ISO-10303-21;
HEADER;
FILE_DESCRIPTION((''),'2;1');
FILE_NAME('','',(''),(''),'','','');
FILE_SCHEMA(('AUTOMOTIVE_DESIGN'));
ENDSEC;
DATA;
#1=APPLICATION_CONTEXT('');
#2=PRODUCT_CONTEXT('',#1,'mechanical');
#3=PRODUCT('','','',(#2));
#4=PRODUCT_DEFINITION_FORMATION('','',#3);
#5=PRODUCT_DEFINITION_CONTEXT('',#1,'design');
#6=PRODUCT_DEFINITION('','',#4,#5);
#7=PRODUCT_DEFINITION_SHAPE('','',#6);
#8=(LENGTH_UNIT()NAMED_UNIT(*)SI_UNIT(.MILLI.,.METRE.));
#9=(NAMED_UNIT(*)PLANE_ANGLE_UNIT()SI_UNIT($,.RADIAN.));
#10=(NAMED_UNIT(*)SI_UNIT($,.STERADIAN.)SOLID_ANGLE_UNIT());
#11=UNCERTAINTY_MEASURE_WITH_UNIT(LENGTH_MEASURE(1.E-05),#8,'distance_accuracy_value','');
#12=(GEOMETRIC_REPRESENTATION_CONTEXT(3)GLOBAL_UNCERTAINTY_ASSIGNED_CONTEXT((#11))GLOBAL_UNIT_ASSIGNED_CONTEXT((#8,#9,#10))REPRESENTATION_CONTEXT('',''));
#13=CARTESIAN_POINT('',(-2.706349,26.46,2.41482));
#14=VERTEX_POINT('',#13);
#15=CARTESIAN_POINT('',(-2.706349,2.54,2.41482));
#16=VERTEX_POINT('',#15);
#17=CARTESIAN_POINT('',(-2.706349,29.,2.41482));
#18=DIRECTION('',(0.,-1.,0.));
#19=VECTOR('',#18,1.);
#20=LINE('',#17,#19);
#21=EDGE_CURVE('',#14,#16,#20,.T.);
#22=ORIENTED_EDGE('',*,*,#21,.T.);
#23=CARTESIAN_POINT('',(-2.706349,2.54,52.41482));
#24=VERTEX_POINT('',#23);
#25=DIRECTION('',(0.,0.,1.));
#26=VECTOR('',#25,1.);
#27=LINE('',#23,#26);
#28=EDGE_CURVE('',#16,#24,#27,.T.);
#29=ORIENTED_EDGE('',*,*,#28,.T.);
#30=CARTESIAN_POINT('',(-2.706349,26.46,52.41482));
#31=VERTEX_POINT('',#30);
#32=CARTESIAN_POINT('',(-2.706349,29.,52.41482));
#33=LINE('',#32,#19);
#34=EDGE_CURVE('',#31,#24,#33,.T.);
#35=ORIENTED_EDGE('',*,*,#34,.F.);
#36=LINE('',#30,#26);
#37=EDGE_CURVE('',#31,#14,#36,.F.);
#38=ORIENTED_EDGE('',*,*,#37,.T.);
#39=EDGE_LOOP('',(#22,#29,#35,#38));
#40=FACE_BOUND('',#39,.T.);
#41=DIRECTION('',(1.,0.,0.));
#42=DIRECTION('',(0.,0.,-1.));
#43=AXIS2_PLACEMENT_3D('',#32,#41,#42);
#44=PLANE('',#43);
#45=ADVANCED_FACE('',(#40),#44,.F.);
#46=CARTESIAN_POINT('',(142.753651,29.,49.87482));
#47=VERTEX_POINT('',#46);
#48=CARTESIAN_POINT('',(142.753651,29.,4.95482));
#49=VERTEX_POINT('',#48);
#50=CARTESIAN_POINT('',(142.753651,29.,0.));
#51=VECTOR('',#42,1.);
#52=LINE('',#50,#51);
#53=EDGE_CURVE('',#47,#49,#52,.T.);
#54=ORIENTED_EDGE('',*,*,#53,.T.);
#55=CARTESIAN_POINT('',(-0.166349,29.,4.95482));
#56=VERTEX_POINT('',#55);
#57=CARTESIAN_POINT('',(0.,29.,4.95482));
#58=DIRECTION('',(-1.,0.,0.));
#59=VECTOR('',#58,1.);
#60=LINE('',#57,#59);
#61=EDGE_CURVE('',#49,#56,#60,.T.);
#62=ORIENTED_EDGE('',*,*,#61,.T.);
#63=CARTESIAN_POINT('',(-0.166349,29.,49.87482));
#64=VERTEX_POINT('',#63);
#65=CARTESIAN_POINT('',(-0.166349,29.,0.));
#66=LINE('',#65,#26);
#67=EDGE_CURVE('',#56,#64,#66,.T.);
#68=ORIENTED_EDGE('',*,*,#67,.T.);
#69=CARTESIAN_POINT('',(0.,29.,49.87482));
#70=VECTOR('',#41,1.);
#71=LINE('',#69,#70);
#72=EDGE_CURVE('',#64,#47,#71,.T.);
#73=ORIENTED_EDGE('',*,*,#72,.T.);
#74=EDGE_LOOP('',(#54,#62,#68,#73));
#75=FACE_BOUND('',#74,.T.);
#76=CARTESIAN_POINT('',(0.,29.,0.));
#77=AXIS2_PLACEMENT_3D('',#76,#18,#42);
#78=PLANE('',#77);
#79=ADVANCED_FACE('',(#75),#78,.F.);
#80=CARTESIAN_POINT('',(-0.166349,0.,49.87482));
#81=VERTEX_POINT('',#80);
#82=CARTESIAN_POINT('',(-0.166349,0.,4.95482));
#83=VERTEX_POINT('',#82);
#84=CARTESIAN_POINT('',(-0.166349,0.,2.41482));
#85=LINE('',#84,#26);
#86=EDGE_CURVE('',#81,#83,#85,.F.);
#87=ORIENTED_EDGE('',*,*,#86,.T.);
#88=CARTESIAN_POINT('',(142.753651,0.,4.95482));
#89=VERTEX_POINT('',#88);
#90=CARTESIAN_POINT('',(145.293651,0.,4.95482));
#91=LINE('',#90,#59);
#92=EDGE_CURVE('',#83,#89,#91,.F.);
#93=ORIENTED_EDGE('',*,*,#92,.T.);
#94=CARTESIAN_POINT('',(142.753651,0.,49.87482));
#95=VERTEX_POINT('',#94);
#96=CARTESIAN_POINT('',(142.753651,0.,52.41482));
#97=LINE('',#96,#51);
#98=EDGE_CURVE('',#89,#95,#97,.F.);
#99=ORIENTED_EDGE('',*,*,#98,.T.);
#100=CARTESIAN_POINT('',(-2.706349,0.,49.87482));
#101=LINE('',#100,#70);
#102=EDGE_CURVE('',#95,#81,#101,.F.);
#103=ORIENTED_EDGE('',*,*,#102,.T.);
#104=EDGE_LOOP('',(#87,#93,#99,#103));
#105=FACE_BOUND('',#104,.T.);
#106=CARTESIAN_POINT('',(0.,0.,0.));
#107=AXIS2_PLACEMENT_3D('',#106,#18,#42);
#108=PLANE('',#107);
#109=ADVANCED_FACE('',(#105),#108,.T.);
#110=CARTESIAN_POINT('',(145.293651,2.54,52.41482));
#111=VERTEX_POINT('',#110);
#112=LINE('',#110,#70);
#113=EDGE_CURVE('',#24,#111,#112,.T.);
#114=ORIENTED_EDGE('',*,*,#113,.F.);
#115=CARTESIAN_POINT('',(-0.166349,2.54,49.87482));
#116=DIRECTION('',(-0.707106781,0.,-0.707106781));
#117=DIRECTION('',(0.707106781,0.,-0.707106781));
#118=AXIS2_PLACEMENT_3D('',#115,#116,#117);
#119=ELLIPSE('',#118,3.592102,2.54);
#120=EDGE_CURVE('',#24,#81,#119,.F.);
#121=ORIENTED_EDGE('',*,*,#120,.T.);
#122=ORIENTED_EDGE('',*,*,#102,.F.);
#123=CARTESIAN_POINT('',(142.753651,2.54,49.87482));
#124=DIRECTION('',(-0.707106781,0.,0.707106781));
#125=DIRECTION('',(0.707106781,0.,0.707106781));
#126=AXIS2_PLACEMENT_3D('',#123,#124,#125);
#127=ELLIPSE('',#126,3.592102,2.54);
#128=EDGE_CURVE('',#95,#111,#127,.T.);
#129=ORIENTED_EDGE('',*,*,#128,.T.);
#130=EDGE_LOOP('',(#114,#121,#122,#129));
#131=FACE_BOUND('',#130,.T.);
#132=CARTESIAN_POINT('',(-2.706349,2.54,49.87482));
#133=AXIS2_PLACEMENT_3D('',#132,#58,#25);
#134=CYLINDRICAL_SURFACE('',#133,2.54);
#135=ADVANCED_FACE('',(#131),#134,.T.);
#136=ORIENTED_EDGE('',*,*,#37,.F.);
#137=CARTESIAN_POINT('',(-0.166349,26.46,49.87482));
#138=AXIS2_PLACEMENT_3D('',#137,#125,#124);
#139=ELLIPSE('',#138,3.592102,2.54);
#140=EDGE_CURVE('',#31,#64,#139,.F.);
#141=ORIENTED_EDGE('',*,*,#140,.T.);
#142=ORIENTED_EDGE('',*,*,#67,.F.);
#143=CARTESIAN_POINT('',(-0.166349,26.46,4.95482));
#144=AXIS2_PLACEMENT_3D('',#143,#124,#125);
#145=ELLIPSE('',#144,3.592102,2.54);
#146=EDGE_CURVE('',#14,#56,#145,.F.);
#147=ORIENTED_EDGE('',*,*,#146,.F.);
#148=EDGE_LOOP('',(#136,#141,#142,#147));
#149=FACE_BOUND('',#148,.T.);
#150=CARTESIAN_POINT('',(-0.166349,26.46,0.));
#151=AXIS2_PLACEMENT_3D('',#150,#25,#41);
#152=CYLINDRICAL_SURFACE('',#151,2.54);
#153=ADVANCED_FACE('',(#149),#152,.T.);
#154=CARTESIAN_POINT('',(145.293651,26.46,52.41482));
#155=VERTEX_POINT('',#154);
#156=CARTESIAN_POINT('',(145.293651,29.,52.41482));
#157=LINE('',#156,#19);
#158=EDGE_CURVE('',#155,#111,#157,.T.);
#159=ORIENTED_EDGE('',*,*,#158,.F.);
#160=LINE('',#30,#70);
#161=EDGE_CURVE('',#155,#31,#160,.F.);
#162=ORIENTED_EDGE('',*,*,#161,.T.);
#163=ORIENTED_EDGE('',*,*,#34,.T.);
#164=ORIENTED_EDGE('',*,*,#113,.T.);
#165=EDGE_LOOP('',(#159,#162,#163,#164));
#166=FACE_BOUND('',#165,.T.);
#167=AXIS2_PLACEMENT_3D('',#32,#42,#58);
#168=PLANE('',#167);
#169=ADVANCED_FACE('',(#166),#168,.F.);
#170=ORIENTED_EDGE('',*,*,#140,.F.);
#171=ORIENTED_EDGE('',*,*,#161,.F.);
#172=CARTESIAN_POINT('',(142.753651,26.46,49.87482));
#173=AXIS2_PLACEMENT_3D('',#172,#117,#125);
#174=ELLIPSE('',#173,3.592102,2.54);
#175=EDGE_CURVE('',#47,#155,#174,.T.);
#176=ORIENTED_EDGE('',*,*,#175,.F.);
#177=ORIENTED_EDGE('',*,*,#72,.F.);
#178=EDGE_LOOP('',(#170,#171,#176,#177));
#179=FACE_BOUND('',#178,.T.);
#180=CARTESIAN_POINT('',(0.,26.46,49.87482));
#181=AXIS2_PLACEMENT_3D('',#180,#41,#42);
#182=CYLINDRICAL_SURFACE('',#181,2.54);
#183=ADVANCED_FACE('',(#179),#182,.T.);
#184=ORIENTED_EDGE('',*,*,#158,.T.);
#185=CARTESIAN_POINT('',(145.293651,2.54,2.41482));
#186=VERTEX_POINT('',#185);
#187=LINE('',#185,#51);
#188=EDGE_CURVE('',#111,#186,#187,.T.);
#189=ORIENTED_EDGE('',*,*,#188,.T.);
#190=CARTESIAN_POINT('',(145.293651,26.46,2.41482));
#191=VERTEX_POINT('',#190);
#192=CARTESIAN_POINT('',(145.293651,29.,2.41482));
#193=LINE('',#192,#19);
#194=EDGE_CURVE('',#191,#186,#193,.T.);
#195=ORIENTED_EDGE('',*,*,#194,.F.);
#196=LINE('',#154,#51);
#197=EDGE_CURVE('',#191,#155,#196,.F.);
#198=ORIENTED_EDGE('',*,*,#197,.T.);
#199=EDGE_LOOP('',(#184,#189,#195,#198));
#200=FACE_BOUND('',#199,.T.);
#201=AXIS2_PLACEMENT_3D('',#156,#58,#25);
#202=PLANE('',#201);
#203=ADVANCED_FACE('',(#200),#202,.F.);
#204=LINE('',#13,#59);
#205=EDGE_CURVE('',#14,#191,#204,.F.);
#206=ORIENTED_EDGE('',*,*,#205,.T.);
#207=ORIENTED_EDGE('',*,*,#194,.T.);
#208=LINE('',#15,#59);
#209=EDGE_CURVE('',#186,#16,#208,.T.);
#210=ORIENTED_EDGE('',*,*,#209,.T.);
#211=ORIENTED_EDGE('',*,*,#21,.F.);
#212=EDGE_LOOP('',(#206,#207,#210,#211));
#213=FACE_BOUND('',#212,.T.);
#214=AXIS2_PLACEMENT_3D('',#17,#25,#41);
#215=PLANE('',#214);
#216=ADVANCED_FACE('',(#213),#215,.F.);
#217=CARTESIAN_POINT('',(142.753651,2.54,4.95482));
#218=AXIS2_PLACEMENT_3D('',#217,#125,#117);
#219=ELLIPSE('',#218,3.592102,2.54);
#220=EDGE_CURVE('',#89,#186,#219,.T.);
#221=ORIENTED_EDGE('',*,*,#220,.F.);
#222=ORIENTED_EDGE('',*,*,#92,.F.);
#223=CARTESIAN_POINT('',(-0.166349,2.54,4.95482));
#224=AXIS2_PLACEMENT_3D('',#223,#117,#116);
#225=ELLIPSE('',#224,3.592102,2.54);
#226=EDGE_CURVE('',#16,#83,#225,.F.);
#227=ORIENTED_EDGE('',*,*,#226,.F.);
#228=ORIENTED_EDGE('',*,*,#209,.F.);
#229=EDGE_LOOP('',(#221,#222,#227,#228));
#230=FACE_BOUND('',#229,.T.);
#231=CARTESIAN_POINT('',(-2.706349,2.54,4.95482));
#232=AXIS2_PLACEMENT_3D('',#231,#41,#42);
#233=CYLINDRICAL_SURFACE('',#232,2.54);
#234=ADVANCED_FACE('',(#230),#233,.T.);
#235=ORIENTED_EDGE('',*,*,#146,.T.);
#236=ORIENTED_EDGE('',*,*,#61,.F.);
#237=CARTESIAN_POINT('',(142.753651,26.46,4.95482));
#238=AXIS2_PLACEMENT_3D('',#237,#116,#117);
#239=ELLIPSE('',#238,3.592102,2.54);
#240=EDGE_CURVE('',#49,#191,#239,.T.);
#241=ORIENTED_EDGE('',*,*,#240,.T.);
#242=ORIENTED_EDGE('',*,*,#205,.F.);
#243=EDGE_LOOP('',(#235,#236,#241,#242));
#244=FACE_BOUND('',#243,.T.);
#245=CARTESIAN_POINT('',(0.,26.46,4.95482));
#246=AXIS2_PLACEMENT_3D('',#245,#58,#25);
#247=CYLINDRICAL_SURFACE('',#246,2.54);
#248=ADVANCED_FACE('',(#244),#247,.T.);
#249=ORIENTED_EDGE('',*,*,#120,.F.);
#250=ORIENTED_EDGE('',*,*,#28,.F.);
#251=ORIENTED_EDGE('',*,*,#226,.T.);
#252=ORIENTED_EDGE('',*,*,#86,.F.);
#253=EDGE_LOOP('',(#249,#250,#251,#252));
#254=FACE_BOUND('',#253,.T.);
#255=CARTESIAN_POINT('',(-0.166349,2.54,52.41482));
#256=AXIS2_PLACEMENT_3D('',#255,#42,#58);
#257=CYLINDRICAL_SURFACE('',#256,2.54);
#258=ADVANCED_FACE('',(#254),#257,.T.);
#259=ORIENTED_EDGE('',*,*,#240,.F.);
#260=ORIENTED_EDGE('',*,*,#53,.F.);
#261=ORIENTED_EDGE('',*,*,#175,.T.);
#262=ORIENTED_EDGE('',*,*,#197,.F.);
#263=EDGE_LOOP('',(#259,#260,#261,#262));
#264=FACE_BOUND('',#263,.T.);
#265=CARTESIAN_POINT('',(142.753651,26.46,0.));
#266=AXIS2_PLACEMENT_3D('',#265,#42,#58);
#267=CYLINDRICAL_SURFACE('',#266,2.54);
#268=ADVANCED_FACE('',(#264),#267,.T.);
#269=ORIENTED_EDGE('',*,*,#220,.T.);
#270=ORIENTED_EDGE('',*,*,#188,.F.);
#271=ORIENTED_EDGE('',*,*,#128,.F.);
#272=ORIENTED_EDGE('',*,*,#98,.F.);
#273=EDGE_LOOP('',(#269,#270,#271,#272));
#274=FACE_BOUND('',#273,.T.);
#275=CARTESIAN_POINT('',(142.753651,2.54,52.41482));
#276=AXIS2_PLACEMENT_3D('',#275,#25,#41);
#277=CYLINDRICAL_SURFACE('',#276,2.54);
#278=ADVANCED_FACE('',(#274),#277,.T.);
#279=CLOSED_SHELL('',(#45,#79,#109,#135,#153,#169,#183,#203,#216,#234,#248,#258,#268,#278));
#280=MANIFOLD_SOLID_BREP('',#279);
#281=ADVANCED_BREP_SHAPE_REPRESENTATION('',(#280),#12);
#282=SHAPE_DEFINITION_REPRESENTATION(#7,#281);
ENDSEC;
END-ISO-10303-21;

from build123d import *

# Parameters (mm, degrees)
SKETCH1_W           = 148
SKETCH1_H           = 50
BOSS_EXTRUDE1_DEPTH = 29
FILLET1_R           = 2.54


with BuildPart() as part:
    # Sketch1 → Boss-Extrude1 (new body)
    with BuildSketch(Plane(origin=(0, 0, 0), x_dir=(1, 0, 0), z_dir=(0, 1, 0))):
        with Locations((71.293650794, -27.414819758)):
            Rectangle(SKETCH1_W, SKETCH1_H)
    extrude(amount=BOSS_EXTRUDE1_DEPTH)

    # Fillet1
    fillet1_edges = [part.edges().sort_by_distance(p)[0] for p in [
        (145.293650794, 29, 27.414819758),
        (71.293650794, 29, 2.414819758),
        (-2.706349206, 29, 27.414819758),
        (71.293650794, 0, 2.414819758),
        (145.293650794, 0, 27.414819758),
        (71.293650794, 0, 52.414819758),
        (-2.706349206, 0, 27.414819758),
        (71.293650794, 29, 52.414819758),
    ]]
    fillet(fillet1_edges, radius=FILLET1_R)


solid = part.part
